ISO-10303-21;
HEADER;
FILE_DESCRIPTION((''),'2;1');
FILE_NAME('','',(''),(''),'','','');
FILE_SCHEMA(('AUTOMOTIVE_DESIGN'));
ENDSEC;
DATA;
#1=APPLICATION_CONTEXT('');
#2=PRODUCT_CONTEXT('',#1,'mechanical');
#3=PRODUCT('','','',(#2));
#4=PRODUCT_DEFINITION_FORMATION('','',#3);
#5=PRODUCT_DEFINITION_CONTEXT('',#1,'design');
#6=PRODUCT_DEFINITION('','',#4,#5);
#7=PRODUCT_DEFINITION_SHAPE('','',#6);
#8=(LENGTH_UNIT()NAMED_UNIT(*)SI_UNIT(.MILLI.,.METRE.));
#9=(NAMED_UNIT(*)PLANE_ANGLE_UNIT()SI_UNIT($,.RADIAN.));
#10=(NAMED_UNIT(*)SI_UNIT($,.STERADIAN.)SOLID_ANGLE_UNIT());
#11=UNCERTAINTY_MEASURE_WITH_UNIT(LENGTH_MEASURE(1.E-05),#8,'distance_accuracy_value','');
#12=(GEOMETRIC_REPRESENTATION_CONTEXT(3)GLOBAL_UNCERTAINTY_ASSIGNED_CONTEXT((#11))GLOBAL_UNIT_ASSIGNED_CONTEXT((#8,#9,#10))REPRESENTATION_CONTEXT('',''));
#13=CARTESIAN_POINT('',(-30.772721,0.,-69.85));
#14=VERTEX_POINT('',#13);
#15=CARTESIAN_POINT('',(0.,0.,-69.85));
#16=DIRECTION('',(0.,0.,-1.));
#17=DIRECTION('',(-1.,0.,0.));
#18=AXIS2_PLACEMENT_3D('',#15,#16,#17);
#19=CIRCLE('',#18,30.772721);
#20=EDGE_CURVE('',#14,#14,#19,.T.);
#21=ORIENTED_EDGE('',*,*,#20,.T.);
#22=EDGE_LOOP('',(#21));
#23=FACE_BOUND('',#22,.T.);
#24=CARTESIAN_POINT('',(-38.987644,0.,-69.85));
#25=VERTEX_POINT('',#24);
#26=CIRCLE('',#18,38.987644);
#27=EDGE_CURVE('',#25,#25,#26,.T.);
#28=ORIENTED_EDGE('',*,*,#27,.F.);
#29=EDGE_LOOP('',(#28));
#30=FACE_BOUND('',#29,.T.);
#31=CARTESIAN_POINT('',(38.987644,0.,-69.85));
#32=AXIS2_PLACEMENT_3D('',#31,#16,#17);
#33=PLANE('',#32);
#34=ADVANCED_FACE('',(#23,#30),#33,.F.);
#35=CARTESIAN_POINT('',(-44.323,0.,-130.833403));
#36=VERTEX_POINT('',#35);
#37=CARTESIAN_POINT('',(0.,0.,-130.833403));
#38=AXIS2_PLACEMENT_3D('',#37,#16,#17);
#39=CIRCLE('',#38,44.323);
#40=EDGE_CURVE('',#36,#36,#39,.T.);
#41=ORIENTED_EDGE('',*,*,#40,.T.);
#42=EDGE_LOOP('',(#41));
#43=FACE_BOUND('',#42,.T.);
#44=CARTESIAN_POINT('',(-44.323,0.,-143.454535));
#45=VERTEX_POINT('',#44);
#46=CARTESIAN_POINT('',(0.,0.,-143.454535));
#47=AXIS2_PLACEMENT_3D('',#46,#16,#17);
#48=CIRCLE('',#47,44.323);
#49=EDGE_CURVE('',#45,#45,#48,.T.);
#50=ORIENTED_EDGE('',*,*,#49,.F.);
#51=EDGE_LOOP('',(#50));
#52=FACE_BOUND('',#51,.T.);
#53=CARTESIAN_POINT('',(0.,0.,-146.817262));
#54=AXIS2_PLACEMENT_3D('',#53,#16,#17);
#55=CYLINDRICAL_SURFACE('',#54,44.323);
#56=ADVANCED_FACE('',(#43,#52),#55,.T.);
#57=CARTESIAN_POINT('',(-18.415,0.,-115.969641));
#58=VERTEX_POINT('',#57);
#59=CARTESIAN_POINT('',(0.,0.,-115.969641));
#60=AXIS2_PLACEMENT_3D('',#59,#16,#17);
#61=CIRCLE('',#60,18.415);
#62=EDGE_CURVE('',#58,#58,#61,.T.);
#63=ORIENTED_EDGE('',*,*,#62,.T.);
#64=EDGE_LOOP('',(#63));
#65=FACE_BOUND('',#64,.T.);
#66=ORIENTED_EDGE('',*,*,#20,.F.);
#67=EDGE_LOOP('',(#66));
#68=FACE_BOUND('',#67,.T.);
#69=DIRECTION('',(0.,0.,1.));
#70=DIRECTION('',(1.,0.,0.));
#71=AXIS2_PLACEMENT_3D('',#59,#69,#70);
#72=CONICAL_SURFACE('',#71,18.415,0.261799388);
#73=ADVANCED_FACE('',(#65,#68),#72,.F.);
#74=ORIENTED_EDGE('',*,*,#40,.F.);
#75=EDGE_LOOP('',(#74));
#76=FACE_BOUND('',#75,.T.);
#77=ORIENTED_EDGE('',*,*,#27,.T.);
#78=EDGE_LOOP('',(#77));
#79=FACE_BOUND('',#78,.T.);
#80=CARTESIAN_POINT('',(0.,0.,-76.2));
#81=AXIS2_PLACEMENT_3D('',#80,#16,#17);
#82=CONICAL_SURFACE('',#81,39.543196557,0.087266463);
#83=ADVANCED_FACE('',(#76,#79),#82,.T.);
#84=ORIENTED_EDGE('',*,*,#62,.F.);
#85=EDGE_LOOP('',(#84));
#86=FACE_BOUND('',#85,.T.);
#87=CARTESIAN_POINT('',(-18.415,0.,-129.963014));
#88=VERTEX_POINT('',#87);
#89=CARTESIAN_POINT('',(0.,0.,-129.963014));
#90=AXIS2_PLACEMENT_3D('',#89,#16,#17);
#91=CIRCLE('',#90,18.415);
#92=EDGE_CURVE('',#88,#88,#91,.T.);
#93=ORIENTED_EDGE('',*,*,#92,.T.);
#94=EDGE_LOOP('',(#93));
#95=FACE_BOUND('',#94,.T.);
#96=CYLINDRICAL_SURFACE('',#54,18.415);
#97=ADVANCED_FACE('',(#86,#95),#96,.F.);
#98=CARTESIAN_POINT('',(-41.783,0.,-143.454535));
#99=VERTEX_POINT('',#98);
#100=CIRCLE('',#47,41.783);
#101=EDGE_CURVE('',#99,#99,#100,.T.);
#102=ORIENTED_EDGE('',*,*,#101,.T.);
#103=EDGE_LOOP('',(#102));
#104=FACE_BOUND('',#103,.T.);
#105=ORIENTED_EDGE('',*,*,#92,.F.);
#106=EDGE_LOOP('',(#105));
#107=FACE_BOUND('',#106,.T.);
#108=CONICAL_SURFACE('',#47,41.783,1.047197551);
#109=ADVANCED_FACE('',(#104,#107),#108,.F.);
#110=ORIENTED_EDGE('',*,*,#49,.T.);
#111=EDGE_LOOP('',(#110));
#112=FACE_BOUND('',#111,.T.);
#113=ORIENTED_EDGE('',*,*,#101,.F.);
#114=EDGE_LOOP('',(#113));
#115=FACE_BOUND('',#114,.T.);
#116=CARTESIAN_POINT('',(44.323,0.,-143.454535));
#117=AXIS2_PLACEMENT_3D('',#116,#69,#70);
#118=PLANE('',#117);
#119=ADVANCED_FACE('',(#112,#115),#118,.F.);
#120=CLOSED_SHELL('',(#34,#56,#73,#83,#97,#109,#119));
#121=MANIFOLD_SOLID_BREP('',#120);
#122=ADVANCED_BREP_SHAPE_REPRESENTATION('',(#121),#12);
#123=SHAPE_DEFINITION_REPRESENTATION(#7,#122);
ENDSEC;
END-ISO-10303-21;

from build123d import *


with BuildPart() as part:
    # Sketch1 → Revolve1 (revolve)
    with BuildSketch(Plane(origin=(0, 0, 0), x_dir=(1, 0, 0), z_dir=(0, 1, 0)), mode=Mode.PRIVATE) as revolve1_sk:
        Polygon((44.323, 130.833403353), (44.323, 143.454534929), (18.415, 128.496544155), (18.415, 120.876544155), (32.087521299, 69.85), (38.987643543, 69.85), (39.543196557, 76.2), (39.544164949, 76.211068779), (42.87748303, 114.311068779), align=None)
    revolve(revolve1_sk.sketch.rotate(Axis((0, 0, -146.817261676), (0, 0, 1)), 180), axis=Axis((0, 0, -146.817261676), (0, 0, 1)))

    # Sketch2 → Revolve2 (revolve)
    with BuildSketch(Plane(origin=(0, 0, 0), x_dir=(1, 0, 0), z_dir=(0, 1, 0)), mode=Mode.PRIVATE) as revolve2_sk:
        Polygon((18.415, 120.876544155), (18.415, 115.969640957), (30.77272055, 69.85), (32.087521299, 69.85), align=None)
        Polygon((18.415, 129.963013839), (41.783, 143.454534929), (44.323, 143.454534929), (18.415, 128.496544155), align=None)
    revolve(revolve2_sk.sketch.rotate(Axis((0, 0, -146.817261676), (0, 0, 1)), 180), axis=Axis((0, 0, -146.817261676), (0, 0, 1)))


solid = part.part
